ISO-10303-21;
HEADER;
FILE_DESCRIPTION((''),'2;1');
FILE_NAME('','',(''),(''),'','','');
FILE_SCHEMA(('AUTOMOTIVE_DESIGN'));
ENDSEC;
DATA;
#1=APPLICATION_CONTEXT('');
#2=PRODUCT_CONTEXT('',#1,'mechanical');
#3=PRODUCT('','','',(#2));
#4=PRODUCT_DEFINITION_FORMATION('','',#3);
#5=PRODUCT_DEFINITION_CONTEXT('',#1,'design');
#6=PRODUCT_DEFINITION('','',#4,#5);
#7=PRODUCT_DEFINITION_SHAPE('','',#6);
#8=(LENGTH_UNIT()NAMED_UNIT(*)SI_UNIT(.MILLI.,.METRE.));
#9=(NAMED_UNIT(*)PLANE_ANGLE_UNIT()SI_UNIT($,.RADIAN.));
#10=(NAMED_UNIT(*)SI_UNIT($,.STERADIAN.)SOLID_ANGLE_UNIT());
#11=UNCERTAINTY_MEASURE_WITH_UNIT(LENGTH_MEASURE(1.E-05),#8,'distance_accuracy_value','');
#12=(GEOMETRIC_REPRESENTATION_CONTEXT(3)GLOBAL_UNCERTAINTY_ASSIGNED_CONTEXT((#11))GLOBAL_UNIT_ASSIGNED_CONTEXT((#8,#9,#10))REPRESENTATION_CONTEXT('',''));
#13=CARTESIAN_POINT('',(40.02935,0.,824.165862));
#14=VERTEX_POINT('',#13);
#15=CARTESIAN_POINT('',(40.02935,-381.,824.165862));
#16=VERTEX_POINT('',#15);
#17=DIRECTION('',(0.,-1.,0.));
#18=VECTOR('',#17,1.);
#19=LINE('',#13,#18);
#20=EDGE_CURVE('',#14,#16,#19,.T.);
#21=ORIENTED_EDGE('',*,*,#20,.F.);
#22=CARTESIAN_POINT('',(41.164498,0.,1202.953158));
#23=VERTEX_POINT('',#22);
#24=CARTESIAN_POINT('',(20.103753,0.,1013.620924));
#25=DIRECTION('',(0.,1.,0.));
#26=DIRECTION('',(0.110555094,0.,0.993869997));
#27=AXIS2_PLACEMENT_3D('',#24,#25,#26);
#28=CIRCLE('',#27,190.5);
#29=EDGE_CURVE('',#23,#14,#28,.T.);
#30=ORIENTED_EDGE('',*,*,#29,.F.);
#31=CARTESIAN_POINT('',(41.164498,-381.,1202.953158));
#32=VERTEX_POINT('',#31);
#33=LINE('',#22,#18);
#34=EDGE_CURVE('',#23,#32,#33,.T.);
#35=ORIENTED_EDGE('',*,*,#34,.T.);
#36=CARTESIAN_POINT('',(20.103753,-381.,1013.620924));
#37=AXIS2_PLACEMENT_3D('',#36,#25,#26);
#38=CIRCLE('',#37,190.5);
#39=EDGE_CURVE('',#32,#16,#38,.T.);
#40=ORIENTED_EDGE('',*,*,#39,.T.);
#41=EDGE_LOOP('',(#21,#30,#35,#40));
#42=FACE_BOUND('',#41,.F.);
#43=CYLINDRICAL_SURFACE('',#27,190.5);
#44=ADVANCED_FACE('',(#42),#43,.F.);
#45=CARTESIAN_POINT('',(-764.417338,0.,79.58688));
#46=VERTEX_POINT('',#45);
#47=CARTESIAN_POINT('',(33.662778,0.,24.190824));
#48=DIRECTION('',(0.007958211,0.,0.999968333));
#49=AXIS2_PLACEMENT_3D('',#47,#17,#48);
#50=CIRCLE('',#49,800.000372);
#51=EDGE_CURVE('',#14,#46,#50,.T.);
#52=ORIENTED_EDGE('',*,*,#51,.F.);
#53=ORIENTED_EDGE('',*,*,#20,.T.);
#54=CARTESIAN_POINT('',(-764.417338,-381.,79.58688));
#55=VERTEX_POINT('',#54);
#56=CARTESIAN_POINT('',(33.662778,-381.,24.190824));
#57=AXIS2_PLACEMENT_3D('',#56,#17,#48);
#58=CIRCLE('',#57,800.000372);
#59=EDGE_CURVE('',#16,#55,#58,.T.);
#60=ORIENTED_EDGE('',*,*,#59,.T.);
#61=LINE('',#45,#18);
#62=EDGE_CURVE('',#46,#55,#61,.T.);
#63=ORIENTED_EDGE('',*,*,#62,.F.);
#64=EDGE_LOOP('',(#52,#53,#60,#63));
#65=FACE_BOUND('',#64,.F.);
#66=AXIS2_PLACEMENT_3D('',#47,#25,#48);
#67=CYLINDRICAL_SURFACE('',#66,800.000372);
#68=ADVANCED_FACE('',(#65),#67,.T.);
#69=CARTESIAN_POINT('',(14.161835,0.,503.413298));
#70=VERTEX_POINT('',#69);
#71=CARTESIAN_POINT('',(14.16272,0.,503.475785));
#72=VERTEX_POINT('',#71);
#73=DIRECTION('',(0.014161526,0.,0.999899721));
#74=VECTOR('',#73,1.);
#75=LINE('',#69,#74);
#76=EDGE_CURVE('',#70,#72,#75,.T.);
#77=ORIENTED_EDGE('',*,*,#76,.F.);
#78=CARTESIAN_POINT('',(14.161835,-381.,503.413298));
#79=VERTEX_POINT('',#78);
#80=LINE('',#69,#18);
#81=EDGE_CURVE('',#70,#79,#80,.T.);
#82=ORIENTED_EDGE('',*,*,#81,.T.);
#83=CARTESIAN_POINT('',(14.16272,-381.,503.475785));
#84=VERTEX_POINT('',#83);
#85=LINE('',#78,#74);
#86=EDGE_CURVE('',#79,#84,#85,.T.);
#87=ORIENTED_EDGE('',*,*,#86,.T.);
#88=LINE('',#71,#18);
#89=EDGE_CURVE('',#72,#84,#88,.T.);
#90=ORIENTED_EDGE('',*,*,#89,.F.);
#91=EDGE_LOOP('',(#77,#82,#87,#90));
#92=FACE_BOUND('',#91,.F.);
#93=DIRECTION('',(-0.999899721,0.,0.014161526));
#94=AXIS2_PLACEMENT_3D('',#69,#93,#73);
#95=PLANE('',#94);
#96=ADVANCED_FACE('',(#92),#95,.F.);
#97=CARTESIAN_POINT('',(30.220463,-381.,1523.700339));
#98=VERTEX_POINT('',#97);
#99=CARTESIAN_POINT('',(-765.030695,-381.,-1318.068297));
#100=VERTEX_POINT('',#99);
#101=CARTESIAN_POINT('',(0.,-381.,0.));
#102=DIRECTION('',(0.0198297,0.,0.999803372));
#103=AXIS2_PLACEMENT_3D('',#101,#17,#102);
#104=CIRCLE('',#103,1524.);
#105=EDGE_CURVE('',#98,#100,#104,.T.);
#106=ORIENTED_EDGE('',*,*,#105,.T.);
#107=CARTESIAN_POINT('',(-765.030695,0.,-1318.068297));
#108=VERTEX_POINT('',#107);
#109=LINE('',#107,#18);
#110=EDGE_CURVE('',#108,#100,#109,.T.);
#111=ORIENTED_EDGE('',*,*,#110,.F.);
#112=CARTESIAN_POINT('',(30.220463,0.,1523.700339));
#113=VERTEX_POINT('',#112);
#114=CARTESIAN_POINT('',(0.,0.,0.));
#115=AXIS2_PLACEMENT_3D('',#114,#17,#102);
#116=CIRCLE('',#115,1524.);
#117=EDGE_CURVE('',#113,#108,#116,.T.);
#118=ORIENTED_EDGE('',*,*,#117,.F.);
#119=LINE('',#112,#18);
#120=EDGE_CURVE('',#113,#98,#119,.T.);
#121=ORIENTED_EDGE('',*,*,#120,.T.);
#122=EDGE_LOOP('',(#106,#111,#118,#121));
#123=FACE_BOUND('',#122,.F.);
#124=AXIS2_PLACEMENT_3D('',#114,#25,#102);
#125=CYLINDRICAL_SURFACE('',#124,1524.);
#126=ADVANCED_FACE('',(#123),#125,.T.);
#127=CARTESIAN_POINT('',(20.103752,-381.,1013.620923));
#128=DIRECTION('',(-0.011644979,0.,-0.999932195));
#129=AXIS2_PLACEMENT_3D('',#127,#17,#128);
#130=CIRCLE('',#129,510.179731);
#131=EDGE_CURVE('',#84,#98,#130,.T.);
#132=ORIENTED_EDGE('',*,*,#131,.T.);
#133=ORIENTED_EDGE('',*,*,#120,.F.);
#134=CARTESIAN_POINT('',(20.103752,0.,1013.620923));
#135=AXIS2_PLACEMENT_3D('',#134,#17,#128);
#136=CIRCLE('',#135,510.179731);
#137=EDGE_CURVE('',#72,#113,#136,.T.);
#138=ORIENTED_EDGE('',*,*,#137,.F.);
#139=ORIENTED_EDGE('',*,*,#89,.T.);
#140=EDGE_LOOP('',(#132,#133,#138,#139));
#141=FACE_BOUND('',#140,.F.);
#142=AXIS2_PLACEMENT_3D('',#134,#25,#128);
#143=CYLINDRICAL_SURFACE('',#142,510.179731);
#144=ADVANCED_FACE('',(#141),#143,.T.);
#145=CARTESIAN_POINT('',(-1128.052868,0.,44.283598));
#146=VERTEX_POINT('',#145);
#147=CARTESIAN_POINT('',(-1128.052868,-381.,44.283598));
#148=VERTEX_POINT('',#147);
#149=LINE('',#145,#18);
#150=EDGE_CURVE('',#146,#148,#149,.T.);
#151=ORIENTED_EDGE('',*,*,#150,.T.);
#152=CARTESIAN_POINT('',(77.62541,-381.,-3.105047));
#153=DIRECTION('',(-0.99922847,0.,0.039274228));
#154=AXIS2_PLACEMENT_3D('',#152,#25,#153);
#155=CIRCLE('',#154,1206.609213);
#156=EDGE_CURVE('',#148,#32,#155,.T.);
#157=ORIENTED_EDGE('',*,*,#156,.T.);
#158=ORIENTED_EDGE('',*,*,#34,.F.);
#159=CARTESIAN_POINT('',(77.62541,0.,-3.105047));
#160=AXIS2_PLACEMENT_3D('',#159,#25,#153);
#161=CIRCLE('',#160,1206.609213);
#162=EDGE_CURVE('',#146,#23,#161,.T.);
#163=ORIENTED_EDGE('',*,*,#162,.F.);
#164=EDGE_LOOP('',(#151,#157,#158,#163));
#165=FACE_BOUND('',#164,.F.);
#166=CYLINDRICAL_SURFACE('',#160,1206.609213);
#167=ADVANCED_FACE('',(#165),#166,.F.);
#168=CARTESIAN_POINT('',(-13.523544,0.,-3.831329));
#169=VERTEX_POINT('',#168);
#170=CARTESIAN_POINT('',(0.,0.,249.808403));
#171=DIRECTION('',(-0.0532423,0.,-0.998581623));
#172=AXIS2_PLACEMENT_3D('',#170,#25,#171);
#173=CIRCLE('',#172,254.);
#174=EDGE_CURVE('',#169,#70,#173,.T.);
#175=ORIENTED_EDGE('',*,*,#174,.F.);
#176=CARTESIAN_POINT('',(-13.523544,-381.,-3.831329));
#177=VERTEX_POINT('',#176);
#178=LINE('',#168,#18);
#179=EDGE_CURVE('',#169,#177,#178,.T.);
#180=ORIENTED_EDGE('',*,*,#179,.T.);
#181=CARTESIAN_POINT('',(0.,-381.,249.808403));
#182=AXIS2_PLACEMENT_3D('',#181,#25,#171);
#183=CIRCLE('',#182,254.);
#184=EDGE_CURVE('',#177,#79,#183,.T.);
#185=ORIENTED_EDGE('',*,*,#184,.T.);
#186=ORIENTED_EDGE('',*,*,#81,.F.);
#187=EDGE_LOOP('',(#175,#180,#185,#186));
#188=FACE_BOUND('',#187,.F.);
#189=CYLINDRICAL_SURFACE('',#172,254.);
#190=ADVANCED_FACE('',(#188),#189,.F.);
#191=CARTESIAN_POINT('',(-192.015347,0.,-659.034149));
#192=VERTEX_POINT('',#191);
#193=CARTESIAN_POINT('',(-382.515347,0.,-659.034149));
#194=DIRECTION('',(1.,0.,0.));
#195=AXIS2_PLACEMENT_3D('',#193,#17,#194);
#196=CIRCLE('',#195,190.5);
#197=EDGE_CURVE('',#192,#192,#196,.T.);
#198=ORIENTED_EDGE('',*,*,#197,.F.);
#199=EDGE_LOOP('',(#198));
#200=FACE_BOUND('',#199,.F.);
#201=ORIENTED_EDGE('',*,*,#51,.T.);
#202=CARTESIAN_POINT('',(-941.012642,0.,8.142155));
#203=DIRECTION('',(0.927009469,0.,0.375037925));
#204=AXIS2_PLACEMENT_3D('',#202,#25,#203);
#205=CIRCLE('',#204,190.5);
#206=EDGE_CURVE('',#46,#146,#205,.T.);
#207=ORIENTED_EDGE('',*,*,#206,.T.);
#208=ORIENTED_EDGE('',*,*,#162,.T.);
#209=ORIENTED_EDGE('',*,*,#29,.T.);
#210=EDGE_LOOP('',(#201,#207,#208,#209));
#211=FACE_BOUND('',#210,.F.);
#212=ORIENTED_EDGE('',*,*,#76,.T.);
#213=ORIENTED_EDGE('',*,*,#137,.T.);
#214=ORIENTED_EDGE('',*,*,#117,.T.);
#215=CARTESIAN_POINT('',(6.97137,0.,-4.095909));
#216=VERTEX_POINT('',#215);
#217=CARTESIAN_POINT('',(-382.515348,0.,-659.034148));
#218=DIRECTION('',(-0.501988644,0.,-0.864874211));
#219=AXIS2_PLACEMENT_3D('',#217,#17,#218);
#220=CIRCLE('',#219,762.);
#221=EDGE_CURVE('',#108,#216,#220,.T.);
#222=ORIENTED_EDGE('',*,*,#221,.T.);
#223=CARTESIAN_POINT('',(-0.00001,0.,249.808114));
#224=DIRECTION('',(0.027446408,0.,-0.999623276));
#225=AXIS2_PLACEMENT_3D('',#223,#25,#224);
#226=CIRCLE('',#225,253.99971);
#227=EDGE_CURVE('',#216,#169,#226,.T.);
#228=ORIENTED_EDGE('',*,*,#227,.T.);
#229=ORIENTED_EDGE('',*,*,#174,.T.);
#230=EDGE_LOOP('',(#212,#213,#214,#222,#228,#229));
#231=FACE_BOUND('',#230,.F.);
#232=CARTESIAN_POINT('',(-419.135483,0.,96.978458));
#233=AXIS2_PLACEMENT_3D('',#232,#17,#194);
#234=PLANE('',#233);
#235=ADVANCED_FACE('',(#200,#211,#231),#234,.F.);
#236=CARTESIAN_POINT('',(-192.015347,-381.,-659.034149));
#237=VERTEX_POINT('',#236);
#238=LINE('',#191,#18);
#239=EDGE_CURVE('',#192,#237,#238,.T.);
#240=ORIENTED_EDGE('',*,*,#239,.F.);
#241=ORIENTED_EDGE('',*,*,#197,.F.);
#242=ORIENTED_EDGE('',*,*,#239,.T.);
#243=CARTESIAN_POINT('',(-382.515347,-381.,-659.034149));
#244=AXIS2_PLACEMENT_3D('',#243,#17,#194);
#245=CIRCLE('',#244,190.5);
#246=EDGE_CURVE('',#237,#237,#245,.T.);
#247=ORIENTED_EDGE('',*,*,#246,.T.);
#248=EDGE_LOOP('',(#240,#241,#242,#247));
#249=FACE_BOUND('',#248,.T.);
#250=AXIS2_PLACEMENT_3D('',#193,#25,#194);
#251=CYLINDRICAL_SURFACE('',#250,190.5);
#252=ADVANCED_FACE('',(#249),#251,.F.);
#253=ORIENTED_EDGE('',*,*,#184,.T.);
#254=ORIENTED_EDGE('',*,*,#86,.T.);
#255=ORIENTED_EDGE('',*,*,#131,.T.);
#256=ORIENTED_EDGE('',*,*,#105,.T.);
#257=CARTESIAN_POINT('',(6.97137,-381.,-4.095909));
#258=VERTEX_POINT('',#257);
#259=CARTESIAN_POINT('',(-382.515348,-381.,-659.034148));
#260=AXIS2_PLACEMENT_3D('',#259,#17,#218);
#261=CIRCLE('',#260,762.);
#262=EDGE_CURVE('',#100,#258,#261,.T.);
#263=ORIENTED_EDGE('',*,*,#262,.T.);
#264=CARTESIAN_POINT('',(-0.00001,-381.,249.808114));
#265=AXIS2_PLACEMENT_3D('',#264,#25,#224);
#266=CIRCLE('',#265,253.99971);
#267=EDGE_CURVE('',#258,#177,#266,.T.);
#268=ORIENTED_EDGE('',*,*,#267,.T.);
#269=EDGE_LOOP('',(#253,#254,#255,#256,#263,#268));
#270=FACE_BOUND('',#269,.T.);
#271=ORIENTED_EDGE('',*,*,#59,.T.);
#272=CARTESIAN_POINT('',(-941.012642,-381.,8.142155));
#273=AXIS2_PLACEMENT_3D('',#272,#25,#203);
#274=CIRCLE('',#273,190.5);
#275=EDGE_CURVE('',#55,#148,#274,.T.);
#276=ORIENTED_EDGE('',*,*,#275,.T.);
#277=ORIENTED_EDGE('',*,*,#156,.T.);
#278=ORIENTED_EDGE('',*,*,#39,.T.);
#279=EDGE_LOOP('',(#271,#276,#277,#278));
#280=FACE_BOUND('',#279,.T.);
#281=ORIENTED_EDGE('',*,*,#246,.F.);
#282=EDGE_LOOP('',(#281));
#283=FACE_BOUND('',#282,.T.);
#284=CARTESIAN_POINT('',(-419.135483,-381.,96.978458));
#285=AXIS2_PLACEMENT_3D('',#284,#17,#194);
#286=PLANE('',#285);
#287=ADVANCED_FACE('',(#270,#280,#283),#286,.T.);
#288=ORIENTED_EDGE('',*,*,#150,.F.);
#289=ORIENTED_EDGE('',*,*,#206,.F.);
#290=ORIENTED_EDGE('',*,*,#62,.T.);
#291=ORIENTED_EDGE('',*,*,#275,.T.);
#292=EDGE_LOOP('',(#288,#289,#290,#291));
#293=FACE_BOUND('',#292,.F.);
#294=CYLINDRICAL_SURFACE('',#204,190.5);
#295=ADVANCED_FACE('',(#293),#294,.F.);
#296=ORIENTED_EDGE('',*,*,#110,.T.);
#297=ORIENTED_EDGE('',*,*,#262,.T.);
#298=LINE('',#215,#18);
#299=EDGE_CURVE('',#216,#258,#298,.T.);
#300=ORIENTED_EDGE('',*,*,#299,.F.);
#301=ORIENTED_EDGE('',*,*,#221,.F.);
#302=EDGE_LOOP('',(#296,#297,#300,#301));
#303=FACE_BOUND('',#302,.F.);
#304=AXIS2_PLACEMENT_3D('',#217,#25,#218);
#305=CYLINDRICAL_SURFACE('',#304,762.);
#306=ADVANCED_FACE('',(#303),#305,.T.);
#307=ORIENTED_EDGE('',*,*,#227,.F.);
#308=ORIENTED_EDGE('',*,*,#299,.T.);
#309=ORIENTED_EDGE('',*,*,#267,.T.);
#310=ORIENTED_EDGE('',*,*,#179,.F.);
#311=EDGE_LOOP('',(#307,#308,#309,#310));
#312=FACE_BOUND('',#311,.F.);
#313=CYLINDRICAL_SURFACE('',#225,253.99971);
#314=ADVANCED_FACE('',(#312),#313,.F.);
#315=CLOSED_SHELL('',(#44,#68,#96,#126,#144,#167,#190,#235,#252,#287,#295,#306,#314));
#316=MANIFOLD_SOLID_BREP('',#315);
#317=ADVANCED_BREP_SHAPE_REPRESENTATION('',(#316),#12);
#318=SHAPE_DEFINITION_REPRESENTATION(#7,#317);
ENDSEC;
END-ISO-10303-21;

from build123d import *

# Parameters (mm, degrees)
F0_R     = 190.5
F1_DEPTH = 381


with BuildPart() as f1:
    # F0 (on Front) → F1 (new body)
    with BuildSketch(Plane.XZ):
        with BuildLine():
            ThreePointArc((14.16272, 503.475785), (530.220302, 1005.591985), (30.220463, 1523.700339))
            ThreePointArc((30.220463, 1523.700339), (-1467.616695, 410.703342), (-765.030695, -1318.068297))
            ThreePointArc((-765.030695, -1318.068297), (274.480093, -1045.040613), (6.97137, -4.095909))
            ThreePointArc((6.97137, -4.095909), (-3.278757, -4.170434), (-13.523544, -3.831329))
            ThreePointArc((-13.523544, -3.831329), (-253.622514, 263.651104), (14.161835, 503.413298))
            Line((14.161835, 503.413298), (14.16272, 503.475785))
        make_face()
        with Locations((-382.515347, -659.034149)):
            Circle(F0_R, mode=Mode.SUBTRACT)
        with BuildLine():
            ThreePointArc((-764.417338, 79.58688), (-922.60464, -181.466377), (-1128.052868, 44.283598))
            ThreePointArc((-1128.052868, 44.283598), (-771.701517, 853.953623), (41.164498, 1202.953158))
            ThreePointArc((41.164498, 1202.953158), (210.602897, 1013.050037), (40.02935, 824.165862))
            ThreePointArc((40.02935, 824.165862), (-509.754234, 611.301159), (-764.417338, 79.58688))
        make_face(mode=Mode.SUBTRACT)
    extrude(amount=F1_DEPTH)


solid = f1.part
